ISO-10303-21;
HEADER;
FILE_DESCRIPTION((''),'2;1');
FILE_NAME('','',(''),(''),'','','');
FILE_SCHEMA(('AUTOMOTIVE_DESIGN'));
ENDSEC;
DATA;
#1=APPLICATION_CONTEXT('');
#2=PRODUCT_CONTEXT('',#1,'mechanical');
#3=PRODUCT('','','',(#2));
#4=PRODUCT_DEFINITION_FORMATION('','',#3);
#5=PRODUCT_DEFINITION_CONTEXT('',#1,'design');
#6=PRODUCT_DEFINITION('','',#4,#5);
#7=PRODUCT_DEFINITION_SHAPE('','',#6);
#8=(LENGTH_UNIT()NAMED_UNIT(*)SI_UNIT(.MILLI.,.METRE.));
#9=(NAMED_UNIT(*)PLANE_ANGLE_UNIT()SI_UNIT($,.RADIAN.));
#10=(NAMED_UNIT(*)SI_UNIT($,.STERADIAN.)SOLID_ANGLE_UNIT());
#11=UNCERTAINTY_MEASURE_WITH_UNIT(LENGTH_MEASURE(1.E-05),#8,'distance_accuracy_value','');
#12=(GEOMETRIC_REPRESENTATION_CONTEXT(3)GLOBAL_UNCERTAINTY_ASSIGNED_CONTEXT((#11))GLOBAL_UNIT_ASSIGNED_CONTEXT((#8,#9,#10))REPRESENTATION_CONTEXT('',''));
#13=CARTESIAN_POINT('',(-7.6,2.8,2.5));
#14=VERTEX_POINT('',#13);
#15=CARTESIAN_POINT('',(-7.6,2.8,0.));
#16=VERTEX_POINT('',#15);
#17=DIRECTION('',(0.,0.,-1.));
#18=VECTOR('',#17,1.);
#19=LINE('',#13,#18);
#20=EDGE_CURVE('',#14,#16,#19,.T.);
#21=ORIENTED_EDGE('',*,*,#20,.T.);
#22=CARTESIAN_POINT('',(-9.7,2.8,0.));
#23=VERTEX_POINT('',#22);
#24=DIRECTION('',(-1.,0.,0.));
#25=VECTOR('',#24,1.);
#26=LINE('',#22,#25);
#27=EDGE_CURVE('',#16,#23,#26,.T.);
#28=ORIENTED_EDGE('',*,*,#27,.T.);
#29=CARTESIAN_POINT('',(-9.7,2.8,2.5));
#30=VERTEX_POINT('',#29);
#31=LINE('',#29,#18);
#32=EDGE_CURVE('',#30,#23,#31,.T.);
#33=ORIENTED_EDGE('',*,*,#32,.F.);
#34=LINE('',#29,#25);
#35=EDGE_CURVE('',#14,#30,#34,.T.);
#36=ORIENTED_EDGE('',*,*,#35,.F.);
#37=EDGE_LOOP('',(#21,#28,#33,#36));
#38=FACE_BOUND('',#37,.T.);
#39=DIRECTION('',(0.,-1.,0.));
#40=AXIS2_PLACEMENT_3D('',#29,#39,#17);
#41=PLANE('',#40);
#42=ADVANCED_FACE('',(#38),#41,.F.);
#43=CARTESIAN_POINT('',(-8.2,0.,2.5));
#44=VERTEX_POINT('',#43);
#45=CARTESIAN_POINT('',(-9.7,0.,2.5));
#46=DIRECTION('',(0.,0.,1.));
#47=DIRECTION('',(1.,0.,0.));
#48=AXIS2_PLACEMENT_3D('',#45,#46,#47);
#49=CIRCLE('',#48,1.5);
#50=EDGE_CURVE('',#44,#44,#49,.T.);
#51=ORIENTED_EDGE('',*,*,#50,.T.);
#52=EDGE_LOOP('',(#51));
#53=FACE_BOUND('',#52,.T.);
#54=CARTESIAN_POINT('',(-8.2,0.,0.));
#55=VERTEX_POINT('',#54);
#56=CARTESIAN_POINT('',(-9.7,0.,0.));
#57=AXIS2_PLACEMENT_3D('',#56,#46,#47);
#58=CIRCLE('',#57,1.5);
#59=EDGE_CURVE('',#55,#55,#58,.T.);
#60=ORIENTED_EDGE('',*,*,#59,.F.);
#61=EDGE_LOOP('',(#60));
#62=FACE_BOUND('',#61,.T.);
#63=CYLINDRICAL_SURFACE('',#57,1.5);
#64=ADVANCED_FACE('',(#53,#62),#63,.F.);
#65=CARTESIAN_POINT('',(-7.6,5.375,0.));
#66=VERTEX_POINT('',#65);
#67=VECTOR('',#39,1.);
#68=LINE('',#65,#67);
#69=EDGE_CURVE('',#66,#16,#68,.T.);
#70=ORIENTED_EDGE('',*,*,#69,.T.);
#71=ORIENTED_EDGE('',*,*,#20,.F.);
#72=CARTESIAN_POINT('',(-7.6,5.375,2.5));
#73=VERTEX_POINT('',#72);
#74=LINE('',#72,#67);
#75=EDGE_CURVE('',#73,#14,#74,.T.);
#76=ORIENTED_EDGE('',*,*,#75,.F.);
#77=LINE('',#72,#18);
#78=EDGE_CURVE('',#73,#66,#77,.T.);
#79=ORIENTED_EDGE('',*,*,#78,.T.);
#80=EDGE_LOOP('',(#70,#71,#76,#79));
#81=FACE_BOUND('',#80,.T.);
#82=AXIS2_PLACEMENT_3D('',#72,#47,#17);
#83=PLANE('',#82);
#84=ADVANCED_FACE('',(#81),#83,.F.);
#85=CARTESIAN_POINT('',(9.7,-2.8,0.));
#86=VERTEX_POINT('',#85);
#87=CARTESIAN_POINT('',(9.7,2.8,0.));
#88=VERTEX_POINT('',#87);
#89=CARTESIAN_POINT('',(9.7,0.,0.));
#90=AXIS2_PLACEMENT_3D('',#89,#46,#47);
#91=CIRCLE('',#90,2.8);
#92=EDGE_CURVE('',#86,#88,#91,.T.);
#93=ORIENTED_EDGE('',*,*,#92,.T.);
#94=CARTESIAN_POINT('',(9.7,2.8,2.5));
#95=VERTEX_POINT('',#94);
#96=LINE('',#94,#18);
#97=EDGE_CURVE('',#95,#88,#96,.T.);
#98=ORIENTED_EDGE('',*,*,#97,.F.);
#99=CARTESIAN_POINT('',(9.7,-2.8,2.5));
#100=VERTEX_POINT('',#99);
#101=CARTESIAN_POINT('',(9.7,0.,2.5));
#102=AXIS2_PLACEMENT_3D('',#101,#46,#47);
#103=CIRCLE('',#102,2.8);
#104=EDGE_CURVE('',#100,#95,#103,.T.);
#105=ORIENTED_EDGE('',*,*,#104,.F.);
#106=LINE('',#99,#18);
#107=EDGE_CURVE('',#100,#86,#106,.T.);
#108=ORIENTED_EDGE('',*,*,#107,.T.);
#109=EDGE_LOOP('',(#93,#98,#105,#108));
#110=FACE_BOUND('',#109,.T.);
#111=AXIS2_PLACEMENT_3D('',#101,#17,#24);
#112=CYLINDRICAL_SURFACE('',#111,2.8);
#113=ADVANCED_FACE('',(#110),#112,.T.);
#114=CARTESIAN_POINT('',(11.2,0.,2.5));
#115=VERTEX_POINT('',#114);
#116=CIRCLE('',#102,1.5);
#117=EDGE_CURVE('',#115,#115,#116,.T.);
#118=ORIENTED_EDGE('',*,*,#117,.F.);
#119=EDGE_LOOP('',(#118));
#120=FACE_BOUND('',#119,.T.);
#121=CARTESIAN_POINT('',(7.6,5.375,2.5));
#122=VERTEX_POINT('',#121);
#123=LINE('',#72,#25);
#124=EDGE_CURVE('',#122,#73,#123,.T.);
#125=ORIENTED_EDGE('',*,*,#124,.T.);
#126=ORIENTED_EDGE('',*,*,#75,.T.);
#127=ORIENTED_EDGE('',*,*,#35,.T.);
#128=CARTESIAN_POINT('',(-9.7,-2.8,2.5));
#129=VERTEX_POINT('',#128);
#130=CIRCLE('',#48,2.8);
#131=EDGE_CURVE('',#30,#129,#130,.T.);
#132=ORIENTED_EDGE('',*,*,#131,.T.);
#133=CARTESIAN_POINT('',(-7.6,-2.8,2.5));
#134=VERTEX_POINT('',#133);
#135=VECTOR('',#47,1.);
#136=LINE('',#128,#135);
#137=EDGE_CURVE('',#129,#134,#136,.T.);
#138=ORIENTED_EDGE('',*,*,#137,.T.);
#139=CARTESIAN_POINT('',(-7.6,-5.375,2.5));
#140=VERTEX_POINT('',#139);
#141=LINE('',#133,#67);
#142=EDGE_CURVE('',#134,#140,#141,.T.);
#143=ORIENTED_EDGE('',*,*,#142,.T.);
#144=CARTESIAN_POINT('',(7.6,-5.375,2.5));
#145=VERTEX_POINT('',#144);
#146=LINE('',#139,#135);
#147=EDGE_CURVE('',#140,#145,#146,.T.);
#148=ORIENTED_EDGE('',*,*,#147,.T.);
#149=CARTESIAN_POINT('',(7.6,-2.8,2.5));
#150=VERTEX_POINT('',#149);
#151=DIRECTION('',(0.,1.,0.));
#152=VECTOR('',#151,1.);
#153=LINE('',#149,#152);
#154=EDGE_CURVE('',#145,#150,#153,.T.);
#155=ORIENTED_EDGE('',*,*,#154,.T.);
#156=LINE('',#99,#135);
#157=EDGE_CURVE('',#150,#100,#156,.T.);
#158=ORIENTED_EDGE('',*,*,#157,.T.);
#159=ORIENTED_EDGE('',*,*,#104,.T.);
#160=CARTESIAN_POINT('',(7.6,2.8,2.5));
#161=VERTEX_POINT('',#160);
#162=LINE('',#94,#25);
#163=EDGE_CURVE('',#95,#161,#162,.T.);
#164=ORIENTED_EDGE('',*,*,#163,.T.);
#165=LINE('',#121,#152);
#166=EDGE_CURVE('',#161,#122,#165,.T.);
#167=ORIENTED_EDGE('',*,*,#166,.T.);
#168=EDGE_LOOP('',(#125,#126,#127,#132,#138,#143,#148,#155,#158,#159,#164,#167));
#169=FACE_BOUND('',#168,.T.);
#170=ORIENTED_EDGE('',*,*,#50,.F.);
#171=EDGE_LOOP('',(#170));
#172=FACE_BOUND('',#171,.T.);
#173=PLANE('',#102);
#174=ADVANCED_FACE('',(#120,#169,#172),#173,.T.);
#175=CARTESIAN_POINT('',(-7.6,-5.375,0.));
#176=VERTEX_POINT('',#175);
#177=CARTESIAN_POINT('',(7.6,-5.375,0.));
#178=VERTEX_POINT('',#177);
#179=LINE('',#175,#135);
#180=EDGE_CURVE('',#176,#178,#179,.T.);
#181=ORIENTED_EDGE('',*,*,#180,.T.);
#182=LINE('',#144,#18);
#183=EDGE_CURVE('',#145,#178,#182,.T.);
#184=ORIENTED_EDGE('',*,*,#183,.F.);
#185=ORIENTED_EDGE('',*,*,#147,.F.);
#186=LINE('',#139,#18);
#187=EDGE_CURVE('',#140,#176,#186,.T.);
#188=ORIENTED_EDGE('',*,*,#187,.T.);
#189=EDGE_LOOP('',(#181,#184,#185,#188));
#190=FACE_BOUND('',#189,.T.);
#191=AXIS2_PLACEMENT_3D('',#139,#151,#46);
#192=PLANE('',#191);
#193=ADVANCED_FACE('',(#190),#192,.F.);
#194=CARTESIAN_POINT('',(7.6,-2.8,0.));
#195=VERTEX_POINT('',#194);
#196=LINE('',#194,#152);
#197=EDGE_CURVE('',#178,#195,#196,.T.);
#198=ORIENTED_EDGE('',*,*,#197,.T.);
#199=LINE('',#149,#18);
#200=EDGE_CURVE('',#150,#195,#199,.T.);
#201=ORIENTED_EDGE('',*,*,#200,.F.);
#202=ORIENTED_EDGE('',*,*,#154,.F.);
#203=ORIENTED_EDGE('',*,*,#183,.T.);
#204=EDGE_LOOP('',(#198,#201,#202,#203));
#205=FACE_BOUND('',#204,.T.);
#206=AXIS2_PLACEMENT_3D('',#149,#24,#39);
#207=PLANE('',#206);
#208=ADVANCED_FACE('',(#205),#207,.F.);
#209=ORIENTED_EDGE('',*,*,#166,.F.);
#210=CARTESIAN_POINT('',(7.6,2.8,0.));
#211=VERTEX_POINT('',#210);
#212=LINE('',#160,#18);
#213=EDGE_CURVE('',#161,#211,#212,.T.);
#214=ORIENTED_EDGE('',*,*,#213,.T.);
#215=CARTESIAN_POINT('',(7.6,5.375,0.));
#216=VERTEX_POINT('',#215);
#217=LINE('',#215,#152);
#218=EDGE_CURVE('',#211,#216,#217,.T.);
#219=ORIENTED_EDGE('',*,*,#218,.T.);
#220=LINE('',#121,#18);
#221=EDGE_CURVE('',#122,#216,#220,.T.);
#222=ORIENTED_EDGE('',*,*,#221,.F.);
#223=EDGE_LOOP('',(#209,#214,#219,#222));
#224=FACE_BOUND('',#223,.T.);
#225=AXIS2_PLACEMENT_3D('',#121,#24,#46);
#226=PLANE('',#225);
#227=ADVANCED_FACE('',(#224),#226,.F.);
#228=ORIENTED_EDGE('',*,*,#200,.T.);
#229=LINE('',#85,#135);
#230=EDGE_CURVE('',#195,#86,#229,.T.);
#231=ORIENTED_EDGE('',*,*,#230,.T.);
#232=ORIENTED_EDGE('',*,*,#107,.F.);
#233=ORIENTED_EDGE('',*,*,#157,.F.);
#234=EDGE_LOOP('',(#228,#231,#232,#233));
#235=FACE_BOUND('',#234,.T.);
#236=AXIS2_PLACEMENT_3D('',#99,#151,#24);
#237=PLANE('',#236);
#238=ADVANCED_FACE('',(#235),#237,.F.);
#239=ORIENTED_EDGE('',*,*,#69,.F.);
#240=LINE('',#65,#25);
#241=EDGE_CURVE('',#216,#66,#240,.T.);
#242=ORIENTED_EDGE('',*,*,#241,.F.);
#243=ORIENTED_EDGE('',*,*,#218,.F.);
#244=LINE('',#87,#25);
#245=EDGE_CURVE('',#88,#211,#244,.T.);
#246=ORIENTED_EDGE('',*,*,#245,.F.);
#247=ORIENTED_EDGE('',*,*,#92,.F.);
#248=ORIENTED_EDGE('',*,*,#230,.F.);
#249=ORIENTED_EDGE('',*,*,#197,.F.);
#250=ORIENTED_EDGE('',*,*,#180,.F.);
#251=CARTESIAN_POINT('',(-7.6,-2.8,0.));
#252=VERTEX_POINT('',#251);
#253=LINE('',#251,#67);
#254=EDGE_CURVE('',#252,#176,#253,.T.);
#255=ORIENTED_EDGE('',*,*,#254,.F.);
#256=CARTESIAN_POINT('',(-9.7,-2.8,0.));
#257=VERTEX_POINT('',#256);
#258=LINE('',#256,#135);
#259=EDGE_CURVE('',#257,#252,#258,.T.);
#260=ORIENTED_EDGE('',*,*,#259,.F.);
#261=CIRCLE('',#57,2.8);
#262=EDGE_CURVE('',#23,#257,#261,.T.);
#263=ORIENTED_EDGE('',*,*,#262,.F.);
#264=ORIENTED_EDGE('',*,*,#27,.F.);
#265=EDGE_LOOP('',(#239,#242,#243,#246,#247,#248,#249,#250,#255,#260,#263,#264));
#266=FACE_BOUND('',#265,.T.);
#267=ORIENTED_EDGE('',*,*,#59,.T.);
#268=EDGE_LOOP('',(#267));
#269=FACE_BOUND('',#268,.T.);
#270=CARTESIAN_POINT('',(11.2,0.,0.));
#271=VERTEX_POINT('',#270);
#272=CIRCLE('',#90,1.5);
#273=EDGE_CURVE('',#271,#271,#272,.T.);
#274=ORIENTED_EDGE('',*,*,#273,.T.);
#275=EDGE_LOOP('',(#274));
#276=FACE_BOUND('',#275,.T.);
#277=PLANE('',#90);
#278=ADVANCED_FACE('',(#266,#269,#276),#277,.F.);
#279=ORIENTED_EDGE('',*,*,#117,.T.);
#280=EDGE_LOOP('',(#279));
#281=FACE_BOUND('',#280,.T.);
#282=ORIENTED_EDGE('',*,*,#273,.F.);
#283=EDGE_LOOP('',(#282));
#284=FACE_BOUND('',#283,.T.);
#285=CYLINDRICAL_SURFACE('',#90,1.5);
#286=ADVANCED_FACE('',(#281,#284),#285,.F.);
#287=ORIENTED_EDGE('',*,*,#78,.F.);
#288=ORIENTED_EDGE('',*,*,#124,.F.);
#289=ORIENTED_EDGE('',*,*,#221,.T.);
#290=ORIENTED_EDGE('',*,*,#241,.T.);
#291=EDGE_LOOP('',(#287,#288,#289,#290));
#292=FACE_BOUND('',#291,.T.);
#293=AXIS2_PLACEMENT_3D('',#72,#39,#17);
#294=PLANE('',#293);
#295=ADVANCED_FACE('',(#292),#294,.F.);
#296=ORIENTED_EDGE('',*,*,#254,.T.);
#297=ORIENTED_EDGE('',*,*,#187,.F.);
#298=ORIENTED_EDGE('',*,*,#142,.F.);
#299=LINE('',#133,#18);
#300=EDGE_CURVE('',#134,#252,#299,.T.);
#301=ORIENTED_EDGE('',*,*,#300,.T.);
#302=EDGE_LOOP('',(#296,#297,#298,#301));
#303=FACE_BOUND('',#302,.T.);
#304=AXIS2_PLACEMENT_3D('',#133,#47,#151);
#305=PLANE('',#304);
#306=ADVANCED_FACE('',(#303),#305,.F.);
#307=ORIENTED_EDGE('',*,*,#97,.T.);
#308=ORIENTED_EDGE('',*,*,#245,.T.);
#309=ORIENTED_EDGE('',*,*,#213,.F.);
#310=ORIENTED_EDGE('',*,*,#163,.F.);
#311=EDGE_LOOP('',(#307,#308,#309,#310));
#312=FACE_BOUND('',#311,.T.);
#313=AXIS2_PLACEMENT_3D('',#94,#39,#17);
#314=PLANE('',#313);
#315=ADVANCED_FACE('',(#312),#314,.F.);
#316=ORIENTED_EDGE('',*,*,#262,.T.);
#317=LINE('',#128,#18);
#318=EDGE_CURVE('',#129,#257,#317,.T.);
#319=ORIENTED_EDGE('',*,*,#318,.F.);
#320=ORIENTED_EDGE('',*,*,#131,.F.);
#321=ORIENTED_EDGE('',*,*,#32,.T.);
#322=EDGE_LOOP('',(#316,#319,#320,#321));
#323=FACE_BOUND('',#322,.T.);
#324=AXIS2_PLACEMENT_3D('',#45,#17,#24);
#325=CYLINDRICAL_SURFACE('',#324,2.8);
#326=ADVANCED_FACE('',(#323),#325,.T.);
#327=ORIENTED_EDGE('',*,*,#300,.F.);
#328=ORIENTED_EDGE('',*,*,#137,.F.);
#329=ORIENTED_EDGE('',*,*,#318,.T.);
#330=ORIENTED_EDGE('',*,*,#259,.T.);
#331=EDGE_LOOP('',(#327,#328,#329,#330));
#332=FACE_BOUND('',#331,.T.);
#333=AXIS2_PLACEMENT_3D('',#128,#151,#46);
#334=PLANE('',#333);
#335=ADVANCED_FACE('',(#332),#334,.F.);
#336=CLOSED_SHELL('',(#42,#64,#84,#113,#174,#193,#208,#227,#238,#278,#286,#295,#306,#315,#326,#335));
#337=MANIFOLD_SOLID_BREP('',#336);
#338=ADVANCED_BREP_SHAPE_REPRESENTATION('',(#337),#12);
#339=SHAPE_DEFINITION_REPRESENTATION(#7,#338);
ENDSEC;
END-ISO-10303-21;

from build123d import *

# Parameters (mm, degrees)
BOSS_EXTRUDE1_DEPTH = 2.5
SKETCH2_R           = 1.5
CUT_EXTRUDE1_DEPTH  = 2.5


with BuildPart() as part:
    # Sketch1 → Boss-Extrude1 (new body)
    with BuildSketch(Plane.XY):
        with BuildLine():
            Line((7.6, -2.8), (7.6, -5.375))
            Line((7.6, -5.375), (-7.6, -5.375))
            Line((-7.6, -5.375), (-7.6, -2.8))
            Line((-7.6, -2.8), (-9.7, -2.8))
            ThreePointArc((-9.7, -2.8), (-12.5, 0), (-9.7, 2.8))
            Line((-9.7, 2.8), (-7.6, 2.8))
            Line((-7.6, 2.8), (-7.6, 5.375))
            Line((-7.6, 5.375), (7.6, 5.375))
            Line((7.6, 5.375), (7.6, 2.8))
            Line((7.6, 2.8), (9.7, 2.8))
            ThreePointArc((9.7, 2.8), (12.5, 0), (9.7, -2.8))
            Line((9.7, -2.8), (7.6, -2.8))
        make_face()
    extrude(amount=BOSS_EXTRUDE1_DEPTH)

    # Sketch2 → Cut-Extrude1 (cut)
    with BuildSketch(Plane.XY.offset(2.5)):
        with Locations((-9.7, 0)):
            Circle(SKETCH2_R)
        with Locations((9.7, 0)):
            Circle(SKETCH2_R)
    extrude(amount=-CUT_EXTRUDE1_DEPTH, mode=Mode.SUBTRACT)


solid = part.part
